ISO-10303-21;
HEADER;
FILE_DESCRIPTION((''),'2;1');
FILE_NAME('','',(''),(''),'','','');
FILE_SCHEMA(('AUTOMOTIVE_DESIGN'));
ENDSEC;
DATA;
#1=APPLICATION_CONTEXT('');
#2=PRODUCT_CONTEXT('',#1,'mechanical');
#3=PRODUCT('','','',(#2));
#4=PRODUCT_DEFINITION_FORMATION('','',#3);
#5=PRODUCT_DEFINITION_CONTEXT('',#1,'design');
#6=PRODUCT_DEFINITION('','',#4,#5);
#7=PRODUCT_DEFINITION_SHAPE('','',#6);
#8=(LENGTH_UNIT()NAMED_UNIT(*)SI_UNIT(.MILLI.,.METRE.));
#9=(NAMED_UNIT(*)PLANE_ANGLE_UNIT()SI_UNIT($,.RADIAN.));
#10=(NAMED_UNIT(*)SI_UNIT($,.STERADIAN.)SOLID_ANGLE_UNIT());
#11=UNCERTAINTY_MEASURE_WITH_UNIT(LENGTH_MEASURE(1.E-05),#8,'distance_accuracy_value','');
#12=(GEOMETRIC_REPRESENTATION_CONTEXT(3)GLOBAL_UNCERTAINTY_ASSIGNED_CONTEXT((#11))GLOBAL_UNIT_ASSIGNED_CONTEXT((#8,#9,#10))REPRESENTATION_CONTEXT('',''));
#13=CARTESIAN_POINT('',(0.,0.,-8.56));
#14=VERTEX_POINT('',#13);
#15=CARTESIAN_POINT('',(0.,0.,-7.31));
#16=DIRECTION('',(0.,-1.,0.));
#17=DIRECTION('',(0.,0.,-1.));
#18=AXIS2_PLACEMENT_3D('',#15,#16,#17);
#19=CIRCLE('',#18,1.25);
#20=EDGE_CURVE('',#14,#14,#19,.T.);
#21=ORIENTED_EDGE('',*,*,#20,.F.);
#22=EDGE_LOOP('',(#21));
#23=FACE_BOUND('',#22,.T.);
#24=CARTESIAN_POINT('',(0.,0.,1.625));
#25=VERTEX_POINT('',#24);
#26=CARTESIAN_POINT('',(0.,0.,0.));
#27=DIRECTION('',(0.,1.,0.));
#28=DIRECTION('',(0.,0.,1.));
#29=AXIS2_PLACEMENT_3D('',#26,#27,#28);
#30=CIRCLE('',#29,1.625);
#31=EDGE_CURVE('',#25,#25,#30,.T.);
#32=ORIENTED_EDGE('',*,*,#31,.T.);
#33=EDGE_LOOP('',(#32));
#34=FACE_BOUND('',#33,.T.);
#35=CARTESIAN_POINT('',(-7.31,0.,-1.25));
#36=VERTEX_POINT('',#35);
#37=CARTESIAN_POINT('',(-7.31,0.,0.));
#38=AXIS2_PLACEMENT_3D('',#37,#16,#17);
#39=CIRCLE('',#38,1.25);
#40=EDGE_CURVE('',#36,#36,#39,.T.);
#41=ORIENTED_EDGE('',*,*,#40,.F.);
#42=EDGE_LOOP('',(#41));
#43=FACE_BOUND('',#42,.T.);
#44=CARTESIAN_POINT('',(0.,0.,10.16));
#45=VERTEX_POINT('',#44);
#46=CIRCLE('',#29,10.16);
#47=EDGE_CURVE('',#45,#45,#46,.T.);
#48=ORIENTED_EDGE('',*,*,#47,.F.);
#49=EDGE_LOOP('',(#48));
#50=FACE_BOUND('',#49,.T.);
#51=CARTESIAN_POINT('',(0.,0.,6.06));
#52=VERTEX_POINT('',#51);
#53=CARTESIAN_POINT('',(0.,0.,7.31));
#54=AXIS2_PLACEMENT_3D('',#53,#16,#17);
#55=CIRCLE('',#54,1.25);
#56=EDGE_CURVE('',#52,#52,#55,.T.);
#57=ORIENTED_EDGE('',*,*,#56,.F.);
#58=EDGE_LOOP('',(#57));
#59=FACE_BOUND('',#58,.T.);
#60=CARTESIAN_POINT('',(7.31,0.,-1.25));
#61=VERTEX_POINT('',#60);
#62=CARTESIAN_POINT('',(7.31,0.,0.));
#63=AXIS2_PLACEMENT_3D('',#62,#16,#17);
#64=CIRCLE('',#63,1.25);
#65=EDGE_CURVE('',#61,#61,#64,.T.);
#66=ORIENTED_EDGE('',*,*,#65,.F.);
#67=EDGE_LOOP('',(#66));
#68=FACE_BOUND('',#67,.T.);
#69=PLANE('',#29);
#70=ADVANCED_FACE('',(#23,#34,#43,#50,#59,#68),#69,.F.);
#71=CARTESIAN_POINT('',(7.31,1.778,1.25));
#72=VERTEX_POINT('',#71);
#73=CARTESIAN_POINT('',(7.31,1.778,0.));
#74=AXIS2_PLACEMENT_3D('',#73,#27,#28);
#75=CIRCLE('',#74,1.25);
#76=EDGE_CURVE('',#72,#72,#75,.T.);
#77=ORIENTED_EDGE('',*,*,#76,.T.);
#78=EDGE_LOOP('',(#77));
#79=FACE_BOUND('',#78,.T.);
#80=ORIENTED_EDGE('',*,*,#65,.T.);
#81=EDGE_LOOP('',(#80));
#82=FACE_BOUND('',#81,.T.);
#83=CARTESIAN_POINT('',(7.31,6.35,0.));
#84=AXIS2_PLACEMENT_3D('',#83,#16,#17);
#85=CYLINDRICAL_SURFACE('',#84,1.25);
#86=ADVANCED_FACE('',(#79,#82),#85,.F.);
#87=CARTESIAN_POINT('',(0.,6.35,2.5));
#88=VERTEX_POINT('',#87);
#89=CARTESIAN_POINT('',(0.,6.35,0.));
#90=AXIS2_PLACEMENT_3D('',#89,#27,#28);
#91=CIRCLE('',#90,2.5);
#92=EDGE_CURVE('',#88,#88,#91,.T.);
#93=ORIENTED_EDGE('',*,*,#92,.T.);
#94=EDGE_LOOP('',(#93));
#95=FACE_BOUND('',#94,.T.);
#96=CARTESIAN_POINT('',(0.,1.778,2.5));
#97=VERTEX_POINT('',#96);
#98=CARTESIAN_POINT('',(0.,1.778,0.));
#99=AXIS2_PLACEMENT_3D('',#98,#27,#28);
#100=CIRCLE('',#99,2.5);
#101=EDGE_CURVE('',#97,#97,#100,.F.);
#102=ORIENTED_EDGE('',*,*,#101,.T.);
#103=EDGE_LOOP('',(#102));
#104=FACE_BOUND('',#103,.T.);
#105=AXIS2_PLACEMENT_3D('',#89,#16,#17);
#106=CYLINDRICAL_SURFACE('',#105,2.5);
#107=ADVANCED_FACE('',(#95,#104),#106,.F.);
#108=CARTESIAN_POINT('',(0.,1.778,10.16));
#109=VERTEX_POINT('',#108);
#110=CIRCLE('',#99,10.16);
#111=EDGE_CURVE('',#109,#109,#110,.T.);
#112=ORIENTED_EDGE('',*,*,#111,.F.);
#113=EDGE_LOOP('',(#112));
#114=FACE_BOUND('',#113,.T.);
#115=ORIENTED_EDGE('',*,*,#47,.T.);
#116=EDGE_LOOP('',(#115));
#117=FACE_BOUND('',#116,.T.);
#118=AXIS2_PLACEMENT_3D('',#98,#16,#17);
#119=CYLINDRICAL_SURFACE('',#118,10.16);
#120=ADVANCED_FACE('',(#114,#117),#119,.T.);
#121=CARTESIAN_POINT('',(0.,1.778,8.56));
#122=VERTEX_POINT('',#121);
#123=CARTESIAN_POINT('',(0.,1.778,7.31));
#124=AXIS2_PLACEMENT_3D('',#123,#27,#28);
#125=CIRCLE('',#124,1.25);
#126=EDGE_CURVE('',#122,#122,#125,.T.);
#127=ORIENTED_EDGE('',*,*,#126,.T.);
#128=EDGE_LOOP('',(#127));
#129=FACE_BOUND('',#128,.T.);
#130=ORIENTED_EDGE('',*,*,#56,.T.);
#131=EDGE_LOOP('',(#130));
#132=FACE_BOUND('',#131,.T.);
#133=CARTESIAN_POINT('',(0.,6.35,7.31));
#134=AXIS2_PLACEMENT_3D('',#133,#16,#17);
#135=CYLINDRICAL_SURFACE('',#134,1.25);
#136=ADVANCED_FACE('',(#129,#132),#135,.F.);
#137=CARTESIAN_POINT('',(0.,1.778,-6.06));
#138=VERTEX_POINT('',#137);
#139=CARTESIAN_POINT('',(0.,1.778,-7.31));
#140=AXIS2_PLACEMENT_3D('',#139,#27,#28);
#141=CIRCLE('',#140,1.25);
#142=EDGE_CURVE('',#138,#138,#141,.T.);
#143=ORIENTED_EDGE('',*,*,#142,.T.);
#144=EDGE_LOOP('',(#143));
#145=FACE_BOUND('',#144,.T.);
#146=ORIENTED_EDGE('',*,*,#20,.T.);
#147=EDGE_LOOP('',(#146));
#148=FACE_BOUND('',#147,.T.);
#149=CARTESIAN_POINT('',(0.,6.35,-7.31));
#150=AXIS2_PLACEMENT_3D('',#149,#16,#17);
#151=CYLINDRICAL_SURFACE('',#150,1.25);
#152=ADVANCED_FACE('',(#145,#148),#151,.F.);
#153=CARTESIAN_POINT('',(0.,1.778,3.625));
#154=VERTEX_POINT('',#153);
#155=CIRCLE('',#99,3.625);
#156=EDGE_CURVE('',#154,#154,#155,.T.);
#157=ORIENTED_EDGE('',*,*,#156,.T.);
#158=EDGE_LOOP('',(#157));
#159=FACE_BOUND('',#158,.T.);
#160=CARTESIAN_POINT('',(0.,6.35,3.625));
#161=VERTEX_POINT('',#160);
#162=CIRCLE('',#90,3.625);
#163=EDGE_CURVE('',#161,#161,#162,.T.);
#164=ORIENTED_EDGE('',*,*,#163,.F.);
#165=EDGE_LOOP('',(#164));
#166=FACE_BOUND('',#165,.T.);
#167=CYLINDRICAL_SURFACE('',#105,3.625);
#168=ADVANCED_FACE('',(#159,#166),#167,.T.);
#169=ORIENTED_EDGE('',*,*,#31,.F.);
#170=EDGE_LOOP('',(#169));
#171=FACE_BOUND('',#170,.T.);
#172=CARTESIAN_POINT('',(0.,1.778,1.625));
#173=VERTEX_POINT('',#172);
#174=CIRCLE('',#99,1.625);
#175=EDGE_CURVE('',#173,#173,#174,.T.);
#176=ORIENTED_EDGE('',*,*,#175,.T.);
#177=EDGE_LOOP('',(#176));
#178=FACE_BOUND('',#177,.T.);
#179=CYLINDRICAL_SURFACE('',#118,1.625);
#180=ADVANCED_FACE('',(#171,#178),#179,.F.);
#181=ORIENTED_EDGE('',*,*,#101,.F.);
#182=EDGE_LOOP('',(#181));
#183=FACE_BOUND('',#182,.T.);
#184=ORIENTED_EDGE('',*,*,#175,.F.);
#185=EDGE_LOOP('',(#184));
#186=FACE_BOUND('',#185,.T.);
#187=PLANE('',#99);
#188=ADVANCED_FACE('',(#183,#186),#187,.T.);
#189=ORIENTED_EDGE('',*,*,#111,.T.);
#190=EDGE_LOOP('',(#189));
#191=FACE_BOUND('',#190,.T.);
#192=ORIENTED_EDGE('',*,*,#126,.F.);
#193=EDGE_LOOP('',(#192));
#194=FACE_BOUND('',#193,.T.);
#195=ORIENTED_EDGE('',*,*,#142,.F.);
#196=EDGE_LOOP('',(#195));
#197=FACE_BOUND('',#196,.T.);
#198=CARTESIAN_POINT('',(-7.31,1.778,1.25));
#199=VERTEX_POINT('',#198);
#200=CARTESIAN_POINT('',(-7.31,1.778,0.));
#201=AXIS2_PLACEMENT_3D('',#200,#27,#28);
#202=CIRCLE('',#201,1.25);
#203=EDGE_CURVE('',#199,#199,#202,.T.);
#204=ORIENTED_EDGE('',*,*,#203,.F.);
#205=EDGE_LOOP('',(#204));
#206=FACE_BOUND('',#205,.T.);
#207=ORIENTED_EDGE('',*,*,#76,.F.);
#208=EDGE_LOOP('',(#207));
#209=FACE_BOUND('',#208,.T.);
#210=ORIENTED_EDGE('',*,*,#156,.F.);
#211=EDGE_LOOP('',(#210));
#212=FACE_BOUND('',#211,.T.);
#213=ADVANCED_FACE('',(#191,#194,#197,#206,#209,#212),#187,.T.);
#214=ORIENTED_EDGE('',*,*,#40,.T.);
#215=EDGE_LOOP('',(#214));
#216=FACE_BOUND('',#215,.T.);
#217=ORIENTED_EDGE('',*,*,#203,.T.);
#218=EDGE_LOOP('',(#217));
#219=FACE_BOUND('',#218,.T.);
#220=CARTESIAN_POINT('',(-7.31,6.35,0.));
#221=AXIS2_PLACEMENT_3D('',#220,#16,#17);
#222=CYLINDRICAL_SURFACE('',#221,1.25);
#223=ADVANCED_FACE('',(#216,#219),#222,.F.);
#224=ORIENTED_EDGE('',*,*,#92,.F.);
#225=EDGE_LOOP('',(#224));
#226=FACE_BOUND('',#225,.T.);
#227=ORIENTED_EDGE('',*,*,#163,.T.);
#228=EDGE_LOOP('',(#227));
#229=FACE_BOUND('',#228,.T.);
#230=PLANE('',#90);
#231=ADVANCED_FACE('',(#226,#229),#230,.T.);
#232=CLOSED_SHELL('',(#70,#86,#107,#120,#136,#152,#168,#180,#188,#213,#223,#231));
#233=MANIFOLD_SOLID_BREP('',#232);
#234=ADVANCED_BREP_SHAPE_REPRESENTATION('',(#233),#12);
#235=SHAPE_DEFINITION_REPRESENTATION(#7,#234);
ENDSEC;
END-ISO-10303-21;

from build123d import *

# Parameters (mm, degrees)
SKETCH1_R           = 10.16
SKETCH1_R_2         = 1.625
BOSS_EXTRUDE2_DEPTH = 1.778
SKETCH3_R           = 3.625
SKETCH3_R_2         = 2.5
BOSS_EXTRUDE3_DEPTH = 4.572
SKETCH4_R           = 1.25
CUT_EXTRUDE1_DEPTH  = 7.35


with BuildPart() as part:
    # Sketch1 → Boss-Extrude2 (new body)
    with BuildSketch(Plane(origin=(0, 0, 0), x_dir=(1, 0, 0), z_dir=(0, 1, 0))):
        Circle(SKETCH1_R)
        Circle(SKETCH1_R_2, mode=Mode.SUBTRACT)
    extrude(amount=BOSS_EXTRUDE2_DEPTH)

    # Sketch3 → Boss-Extrude3 (add)
    with BuildSketch(Plane(origin=(0, 1.778, 0), x_dir=(1, 0, 0), z_dir=(0, 1, 0))):
        Circle(SKETCH3_R)
        Circle(SKETCH3_R_2, mode=Mode.SUBTRACT)
    extrude(amount=BOSS_EXTRUDE3_DEPTH)

    # Sketch4 → Cut-Extrude1 (cut, through all)
    with BuildSketch(Plane.XZ):
        with Locations((0, 7.31)):
            Circle(SKETCH4_R)
        with Locations((7.31, 0)):
            Circle(SKETCH4_R)
        with Locations((-7.31, 0)):
            Circle(SKETCH4_R)
        with Locations((0, -7.31)):
            Circle(SKETCH4_R)
    extrude(amount=-CUT_EXTRUDE1_DEPTH, mode=Mode.SUBTRACT)


solid = part.part
